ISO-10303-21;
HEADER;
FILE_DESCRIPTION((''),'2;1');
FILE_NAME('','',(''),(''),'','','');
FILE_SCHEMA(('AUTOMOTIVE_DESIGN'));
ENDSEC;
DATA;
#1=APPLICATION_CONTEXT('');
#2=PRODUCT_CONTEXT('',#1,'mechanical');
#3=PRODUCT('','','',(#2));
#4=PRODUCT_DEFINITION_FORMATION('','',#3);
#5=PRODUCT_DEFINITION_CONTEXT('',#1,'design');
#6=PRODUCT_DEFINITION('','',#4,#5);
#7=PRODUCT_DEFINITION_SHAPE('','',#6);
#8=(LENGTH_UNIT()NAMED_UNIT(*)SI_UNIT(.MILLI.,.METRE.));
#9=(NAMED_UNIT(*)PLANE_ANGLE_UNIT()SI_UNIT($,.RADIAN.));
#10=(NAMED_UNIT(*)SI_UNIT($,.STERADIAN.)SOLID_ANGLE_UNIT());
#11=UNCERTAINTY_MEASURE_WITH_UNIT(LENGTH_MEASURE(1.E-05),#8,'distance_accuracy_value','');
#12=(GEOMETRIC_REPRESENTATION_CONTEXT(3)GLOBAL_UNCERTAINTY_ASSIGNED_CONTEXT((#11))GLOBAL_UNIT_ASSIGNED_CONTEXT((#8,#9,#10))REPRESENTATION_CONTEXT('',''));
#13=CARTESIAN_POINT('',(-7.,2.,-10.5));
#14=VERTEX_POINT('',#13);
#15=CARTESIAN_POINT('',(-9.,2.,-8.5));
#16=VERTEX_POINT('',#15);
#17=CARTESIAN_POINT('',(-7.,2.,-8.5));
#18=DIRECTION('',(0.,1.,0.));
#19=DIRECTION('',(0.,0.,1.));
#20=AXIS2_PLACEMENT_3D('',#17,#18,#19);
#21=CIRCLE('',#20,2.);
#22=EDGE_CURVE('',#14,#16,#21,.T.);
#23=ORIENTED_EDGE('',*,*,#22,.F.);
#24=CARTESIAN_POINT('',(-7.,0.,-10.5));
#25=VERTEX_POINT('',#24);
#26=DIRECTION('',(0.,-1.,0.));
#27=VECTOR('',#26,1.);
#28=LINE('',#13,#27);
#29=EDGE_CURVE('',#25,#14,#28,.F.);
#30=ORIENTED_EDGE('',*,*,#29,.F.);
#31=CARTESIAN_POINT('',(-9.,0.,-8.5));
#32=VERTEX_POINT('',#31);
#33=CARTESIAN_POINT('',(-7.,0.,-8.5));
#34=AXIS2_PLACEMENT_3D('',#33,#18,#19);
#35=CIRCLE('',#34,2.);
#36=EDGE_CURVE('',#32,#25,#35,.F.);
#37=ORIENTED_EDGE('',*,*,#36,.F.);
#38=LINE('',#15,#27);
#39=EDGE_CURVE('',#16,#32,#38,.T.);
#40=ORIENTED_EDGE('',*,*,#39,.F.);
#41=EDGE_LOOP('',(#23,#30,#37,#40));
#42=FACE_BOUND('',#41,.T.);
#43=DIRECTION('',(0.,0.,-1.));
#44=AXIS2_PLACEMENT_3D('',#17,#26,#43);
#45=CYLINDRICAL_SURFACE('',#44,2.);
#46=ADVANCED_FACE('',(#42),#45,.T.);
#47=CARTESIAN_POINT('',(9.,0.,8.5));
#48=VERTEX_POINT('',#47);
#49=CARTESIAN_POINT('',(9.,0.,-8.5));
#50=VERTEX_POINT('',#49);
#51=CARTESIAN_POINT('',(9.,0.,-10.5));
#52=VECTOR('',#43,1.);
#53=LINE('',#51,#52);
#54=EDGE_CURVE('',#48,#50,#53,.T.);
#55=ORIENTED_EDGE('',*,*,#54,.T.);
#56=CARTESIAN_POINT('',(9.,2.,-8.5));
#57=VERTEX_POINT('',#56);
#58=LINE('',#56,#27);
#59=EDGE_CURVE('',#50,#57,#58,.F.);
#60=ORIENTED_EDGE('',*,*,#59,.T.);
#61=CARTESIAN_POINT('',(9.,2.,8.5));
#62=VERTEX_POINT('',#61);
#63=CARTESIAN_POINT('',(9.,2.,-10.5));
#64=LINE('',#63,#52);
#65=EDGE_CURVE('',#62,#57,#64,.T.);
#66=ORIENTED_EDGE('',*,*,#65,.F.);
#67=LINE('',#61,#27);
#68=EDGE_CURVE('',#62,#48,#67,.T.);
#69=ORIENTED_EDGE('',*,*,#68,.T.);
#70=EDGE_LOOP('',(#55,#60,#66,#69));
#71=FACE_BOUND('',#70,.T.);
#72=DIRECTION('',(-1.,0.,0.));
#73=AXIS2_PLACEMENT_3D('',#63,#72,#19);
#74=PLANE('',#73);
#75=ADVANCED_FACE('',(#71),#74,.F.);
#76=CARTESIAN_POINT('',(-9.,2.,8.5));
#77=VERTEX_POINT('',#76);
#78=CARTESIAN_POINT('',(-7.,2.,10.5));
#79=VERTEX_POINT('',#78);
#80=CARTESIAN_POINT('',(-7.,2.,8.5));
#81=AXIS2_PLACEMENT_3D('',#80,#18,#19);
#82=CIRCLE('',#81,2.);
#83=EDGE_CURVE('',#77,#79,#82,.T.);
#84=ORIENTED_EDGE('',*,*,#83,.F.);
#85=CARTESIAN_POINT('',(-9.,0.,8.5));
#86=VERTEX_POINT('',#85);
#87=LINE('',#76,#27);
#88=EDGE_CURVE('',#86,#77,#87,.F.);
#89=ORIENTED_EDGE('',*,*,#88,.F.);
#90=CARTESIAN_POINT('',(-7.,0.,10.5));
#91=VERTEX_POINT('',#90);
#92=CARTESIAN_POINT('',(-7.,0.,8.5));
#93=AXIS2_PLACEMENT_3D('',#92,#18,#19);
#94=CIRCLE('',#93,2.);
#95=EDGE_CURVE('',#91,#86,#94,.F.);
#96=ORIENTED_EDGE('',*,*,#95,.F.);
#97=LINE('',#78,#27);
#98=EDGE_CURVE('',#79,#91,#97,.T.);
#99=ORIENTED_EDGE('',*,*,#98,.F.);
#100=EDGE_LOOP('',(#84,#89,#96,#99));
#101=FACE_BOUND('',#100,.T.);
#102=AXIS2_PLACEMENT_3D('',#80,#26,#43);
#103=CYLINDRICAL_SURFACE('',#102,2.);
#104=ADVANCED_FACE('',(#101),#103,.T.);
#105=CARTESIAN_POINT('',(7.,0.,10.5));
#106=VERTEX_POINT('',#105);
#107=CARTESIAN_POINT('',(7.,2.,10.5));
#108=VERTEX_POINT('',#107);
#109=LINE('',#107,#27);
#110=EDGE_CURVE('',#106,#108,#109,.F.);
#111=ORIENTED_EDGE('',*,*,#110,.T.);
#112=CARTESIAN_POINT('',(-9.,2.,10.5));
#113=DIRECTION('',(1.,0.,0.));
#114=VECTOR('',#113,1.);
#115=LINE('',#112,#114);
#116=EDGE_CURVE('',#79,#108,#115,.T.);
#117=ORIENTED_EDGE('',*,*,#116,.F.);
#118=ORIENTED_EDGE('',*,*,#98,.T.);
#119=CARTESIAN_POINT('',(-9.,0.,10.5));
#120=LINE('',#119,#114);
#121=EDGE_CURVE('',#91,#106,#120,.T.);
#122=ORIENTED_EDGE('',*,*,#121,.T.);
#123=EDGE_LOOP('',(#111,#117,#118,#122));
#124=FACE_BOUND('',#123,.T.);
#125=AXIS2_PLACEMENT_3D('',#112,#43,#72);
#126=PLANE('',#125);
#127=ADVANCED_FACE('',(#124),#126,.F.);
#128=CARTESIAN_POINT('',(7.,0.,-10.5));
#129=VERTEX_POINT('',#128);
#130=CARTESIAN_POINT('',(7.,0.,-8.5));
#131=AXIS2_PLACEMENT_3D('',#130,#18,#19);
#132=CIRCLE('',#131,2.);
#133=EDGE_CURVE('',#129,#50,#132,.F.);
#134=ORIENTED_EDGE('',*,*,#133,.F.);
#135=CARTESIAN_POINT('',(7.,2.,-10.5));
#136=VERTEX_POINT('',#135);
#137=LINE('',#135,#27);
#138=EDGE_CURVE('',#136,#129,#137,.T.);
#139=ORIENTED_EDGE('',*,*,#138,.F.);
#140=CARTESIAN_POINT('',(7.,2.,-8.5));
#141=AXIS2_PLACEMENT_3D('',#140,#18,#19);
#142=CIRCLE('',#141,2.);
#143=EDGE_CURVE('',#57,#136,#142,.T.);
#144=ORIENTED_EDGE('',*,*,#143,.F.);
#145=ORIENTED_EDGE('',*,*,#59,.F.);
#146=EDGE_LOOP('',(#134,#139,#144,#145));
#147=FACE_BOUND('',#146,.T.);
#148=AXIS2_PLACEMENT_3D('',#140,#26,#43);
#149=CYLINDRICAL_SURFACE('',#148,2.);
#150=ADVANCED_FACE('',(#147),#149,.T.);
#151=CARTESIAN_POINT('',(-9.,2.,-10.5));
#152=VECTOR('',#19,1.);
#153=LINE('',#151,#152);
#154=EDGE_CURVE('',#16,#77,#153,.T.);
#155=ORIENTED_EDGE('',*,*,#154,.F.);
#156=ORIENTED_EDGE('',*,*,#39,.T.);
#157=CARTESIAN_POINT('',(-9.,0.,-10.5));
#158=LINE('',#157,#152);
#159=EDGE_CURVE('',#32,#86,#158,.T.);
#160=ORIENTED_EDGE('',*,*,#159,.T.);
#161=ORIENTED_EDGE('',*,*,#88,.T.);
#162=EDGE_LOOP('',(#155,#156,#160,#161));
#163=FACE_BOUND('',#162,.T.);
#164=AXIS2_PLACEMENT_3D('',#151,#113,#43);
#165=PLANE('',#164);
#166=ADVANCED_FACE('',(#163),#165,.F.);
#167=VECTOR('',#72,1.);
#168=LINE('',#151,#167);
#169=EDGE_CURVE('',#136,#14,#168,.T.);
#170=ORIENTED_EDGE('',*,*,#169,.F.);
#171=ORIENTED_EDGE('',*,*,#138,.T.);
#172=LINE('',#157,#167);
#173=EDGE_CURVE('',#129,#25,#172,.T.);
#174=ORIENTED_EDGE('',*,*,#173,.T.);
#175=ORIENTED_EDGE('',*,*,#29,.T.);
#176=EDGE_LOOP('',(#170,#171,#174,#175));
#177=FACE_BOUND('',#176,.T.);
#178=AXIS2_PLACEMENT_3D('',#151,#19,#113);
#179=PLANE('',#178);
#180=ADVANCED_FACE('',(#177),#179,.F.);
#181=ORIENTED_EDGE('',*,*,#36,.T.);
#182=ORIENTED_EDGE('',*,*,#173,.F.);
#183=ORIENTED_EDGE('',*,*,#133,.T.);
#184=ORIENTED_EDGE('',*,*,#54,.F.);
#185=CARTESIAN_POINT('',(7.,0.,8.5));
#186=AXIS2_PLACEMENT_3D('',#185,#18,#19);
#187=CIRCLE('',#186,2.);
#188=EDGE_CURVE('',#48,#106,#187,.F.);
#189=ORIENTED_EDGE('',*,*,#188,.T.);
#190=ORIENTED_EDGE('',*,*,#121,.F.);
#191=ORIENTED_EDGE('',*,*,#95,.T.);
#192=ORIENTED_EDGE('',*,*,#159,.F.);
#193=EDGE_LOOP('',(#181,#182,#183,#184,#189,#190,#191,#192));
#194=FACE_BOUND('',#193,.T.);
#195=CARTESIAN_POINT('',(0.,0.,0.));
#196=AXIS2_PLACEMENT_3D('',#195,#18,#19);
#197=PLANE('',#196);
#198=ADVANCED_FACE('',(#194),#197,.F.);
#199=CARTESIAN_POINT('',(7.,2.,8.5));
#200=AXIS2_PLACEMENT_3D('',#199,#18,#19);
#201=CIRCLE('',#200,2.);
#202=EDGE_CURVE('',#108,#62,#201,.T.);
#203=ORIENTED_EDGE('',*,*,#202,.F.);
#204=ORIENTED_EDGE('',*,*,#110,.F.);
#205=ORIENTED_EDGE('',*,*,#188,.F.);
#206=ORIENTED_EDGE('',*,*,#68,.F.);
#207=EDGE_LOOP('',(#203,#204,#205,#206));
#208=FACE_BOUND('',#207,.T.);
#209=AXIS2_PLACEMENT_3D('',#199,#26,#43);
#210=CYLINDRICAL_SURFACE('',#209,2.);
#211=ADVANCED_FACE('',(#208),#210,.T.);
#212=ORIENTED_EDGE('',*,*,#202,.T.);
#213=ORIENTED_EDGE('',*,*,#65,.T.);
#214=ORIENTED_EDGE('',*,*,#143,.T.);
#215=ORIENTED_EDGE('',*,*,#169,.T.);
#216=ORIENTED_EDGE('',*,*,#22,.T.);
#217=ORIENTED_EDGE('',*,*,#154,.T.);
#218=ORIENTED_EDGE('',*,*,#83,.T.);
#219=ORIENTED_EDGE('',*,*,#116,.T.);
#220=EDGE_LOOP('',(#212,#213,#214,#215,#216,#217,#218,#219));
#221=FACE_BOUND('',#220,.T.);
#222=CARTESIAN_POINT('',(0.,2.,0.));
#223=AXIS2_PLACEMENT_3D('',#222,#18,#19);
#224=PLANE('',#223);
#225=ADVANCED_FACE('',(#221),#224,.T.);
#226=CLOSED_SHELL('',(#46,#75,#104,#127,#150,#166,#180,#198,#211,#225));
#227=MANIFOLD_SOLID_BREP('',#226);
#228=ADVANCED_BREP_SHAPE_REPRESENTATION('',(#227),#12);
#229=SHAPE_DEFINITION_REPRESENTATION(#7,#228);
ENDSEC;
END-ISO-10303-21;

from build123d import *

# Parameters (mm, degrees)
SKETCH1_W           = 18
SKETCH1_H           = 21
BOSS_EXTRUDE1_DEPTH = 2
FILLET1_R           = 2


with BuildPart() as part:
    # Sketch1 → Boss-Extrude1 (new body)
    with BuildSketch(Plane(origin=(0, 0, 0), x_dir=(1, 0, 0), z_dir=(0, 1, 0))):
        Rectangle(SKETCH1_W, SKETCH1_H)
    extrude(amount=BOSS_EXTRUDE1_DEPTH)

    # Fillet1
    fillet1_edges = [part.edges().sort_by_distance(p)[0] for p in [
        (9, 1, 10.5),
        (-9, 1, 10.5),
        (-9, 1, -10.5),
        (9, 1, -10.5),
    ]]
    fillet(fillet1_edges, radius=FILLET1_R)


solid = part.part
